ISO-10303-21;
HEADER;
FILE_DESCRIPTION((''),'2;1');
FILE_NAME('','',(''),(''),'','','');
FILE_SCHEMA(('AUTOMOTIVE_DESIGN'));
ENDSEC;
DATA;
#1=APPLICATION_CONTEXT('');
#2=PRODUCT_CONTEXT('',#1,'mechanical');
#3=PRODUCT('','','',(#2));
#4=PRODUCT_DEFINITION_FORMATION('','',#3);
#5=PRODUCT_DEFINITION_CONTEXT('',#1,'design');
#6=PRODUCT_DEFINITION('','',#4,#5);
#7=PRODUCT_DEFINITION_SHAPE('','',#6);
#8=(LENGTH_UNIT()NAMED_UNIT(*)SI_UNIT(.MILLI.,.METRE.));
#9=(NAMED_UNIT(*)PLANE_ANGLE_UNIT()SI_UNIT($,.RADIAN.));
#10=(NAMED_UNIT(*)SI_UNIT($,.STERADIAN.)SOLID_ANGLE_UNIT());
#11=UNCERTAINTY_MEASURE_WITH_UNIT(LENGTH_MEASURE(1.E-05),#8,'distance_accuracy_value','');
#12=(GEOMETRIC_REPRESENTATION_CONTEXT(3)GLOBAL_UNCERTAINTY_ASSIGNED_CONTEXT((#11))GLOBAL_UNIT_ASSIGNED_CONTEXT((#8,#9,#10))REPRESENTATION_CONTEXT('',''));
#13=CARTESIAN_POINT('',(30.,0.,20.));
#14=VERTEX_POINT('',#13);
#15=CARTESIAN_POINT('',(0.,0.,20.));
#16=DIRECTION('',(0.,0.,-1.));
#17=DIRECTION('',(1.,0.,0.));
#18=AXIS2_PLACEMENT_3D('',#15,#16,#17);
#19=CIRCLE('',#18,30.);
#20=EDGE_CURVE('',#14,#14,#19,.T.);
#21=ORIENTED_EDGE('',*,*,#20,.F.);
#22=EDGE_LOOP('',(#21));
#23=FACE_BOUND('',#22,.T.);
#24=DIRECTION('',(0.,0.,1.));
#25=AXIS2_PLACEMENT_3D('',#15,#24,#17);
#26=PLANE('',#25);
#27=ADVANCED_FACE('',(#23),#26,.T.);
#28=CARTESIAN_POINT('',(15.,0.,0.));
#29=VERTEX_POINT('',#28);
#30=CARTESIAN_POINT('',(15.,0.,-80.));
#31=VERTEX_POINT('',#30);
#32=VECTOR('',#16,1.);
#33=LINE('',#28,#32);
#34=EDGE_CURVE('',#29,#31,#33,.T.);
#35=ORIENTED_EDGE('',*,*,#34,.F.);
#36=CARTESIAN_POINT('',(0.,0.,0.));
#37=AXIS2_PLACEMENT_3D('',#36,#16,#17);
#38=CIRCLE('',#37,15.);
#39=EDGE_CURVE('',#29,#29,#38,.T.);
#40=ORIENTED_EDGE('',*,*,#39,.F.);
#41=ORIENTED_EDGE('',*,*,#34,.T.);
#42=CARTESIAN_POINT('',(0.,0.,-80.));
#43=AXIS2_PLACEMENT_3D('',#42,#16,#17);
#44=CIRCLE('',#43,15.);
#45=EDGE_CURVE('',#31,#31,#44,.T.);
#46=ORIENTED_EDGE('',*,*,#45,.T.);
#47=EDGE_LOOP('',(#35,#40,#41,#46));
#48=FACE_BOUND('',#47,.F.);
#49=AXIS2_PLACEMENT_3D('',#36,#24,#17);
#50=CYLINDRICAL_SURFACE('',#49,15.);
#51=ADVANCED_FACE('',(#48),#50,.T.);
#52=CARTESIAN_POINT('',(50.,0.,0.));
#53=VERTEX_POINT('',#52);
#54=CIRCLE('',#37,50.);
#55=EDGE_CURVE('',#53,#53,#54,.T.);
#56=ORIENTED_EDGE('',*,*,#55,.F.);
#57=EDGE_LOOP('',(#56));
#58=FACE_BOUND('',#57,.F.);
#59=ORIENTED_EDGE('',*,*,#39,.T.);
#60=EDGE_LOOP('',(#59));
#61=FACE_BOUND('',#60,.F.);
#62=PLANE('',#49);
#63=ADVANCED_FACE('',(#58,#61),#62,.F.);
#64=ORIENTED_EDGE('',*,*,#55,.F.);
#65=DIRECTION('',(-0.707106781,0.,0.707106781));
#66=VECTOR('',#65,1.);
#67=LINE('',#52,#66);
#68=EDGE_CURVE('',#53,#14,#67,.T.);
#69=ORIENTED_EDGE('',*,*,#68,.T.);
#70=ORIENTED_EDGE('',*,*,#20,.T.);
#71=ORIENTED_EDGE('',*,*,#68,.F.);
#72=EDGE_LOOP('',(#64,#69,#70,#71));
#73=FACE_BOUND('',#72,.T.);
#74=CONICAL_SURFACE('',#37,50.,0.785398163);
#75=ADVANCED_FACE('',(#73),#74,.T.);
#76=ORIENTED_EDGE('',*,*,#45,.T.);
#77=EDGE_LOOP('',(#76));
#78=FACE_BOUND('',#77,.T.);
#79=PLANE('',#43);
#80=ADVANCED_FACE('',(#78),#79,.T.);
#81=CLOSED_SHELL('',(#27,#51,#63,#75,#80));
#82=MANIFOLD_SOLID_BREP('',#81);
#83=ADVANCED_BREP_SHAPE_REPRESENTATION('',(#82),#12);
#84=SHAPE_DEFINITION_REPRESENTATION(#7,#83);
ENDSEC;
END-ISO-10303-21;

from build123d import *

# Parameters (mm, degrees)
F0_R     = 50
F1_DEPTH = 20
F1_TAPER = 45
F2_R     = 15
F3_DEPTH = 80


with BuildPart() as f1:
    # F0 (on Top) → F1 (new body)
    with BuildSketch(Plane.XY):
        Circle(F0_R)
    extrude(amount=F1_DEPTH, taper=F1_TAPER)

    # F2 (on face) → F3 (join)
    with BuildSketch(Plane(origin=(0, 0, 0), x_dir=(1, 0, 0), z_dir=(0, 0, -1))):
        Circle(F2_R)
    extrude(amount=F3_DEPTH)


solid = f1.part
